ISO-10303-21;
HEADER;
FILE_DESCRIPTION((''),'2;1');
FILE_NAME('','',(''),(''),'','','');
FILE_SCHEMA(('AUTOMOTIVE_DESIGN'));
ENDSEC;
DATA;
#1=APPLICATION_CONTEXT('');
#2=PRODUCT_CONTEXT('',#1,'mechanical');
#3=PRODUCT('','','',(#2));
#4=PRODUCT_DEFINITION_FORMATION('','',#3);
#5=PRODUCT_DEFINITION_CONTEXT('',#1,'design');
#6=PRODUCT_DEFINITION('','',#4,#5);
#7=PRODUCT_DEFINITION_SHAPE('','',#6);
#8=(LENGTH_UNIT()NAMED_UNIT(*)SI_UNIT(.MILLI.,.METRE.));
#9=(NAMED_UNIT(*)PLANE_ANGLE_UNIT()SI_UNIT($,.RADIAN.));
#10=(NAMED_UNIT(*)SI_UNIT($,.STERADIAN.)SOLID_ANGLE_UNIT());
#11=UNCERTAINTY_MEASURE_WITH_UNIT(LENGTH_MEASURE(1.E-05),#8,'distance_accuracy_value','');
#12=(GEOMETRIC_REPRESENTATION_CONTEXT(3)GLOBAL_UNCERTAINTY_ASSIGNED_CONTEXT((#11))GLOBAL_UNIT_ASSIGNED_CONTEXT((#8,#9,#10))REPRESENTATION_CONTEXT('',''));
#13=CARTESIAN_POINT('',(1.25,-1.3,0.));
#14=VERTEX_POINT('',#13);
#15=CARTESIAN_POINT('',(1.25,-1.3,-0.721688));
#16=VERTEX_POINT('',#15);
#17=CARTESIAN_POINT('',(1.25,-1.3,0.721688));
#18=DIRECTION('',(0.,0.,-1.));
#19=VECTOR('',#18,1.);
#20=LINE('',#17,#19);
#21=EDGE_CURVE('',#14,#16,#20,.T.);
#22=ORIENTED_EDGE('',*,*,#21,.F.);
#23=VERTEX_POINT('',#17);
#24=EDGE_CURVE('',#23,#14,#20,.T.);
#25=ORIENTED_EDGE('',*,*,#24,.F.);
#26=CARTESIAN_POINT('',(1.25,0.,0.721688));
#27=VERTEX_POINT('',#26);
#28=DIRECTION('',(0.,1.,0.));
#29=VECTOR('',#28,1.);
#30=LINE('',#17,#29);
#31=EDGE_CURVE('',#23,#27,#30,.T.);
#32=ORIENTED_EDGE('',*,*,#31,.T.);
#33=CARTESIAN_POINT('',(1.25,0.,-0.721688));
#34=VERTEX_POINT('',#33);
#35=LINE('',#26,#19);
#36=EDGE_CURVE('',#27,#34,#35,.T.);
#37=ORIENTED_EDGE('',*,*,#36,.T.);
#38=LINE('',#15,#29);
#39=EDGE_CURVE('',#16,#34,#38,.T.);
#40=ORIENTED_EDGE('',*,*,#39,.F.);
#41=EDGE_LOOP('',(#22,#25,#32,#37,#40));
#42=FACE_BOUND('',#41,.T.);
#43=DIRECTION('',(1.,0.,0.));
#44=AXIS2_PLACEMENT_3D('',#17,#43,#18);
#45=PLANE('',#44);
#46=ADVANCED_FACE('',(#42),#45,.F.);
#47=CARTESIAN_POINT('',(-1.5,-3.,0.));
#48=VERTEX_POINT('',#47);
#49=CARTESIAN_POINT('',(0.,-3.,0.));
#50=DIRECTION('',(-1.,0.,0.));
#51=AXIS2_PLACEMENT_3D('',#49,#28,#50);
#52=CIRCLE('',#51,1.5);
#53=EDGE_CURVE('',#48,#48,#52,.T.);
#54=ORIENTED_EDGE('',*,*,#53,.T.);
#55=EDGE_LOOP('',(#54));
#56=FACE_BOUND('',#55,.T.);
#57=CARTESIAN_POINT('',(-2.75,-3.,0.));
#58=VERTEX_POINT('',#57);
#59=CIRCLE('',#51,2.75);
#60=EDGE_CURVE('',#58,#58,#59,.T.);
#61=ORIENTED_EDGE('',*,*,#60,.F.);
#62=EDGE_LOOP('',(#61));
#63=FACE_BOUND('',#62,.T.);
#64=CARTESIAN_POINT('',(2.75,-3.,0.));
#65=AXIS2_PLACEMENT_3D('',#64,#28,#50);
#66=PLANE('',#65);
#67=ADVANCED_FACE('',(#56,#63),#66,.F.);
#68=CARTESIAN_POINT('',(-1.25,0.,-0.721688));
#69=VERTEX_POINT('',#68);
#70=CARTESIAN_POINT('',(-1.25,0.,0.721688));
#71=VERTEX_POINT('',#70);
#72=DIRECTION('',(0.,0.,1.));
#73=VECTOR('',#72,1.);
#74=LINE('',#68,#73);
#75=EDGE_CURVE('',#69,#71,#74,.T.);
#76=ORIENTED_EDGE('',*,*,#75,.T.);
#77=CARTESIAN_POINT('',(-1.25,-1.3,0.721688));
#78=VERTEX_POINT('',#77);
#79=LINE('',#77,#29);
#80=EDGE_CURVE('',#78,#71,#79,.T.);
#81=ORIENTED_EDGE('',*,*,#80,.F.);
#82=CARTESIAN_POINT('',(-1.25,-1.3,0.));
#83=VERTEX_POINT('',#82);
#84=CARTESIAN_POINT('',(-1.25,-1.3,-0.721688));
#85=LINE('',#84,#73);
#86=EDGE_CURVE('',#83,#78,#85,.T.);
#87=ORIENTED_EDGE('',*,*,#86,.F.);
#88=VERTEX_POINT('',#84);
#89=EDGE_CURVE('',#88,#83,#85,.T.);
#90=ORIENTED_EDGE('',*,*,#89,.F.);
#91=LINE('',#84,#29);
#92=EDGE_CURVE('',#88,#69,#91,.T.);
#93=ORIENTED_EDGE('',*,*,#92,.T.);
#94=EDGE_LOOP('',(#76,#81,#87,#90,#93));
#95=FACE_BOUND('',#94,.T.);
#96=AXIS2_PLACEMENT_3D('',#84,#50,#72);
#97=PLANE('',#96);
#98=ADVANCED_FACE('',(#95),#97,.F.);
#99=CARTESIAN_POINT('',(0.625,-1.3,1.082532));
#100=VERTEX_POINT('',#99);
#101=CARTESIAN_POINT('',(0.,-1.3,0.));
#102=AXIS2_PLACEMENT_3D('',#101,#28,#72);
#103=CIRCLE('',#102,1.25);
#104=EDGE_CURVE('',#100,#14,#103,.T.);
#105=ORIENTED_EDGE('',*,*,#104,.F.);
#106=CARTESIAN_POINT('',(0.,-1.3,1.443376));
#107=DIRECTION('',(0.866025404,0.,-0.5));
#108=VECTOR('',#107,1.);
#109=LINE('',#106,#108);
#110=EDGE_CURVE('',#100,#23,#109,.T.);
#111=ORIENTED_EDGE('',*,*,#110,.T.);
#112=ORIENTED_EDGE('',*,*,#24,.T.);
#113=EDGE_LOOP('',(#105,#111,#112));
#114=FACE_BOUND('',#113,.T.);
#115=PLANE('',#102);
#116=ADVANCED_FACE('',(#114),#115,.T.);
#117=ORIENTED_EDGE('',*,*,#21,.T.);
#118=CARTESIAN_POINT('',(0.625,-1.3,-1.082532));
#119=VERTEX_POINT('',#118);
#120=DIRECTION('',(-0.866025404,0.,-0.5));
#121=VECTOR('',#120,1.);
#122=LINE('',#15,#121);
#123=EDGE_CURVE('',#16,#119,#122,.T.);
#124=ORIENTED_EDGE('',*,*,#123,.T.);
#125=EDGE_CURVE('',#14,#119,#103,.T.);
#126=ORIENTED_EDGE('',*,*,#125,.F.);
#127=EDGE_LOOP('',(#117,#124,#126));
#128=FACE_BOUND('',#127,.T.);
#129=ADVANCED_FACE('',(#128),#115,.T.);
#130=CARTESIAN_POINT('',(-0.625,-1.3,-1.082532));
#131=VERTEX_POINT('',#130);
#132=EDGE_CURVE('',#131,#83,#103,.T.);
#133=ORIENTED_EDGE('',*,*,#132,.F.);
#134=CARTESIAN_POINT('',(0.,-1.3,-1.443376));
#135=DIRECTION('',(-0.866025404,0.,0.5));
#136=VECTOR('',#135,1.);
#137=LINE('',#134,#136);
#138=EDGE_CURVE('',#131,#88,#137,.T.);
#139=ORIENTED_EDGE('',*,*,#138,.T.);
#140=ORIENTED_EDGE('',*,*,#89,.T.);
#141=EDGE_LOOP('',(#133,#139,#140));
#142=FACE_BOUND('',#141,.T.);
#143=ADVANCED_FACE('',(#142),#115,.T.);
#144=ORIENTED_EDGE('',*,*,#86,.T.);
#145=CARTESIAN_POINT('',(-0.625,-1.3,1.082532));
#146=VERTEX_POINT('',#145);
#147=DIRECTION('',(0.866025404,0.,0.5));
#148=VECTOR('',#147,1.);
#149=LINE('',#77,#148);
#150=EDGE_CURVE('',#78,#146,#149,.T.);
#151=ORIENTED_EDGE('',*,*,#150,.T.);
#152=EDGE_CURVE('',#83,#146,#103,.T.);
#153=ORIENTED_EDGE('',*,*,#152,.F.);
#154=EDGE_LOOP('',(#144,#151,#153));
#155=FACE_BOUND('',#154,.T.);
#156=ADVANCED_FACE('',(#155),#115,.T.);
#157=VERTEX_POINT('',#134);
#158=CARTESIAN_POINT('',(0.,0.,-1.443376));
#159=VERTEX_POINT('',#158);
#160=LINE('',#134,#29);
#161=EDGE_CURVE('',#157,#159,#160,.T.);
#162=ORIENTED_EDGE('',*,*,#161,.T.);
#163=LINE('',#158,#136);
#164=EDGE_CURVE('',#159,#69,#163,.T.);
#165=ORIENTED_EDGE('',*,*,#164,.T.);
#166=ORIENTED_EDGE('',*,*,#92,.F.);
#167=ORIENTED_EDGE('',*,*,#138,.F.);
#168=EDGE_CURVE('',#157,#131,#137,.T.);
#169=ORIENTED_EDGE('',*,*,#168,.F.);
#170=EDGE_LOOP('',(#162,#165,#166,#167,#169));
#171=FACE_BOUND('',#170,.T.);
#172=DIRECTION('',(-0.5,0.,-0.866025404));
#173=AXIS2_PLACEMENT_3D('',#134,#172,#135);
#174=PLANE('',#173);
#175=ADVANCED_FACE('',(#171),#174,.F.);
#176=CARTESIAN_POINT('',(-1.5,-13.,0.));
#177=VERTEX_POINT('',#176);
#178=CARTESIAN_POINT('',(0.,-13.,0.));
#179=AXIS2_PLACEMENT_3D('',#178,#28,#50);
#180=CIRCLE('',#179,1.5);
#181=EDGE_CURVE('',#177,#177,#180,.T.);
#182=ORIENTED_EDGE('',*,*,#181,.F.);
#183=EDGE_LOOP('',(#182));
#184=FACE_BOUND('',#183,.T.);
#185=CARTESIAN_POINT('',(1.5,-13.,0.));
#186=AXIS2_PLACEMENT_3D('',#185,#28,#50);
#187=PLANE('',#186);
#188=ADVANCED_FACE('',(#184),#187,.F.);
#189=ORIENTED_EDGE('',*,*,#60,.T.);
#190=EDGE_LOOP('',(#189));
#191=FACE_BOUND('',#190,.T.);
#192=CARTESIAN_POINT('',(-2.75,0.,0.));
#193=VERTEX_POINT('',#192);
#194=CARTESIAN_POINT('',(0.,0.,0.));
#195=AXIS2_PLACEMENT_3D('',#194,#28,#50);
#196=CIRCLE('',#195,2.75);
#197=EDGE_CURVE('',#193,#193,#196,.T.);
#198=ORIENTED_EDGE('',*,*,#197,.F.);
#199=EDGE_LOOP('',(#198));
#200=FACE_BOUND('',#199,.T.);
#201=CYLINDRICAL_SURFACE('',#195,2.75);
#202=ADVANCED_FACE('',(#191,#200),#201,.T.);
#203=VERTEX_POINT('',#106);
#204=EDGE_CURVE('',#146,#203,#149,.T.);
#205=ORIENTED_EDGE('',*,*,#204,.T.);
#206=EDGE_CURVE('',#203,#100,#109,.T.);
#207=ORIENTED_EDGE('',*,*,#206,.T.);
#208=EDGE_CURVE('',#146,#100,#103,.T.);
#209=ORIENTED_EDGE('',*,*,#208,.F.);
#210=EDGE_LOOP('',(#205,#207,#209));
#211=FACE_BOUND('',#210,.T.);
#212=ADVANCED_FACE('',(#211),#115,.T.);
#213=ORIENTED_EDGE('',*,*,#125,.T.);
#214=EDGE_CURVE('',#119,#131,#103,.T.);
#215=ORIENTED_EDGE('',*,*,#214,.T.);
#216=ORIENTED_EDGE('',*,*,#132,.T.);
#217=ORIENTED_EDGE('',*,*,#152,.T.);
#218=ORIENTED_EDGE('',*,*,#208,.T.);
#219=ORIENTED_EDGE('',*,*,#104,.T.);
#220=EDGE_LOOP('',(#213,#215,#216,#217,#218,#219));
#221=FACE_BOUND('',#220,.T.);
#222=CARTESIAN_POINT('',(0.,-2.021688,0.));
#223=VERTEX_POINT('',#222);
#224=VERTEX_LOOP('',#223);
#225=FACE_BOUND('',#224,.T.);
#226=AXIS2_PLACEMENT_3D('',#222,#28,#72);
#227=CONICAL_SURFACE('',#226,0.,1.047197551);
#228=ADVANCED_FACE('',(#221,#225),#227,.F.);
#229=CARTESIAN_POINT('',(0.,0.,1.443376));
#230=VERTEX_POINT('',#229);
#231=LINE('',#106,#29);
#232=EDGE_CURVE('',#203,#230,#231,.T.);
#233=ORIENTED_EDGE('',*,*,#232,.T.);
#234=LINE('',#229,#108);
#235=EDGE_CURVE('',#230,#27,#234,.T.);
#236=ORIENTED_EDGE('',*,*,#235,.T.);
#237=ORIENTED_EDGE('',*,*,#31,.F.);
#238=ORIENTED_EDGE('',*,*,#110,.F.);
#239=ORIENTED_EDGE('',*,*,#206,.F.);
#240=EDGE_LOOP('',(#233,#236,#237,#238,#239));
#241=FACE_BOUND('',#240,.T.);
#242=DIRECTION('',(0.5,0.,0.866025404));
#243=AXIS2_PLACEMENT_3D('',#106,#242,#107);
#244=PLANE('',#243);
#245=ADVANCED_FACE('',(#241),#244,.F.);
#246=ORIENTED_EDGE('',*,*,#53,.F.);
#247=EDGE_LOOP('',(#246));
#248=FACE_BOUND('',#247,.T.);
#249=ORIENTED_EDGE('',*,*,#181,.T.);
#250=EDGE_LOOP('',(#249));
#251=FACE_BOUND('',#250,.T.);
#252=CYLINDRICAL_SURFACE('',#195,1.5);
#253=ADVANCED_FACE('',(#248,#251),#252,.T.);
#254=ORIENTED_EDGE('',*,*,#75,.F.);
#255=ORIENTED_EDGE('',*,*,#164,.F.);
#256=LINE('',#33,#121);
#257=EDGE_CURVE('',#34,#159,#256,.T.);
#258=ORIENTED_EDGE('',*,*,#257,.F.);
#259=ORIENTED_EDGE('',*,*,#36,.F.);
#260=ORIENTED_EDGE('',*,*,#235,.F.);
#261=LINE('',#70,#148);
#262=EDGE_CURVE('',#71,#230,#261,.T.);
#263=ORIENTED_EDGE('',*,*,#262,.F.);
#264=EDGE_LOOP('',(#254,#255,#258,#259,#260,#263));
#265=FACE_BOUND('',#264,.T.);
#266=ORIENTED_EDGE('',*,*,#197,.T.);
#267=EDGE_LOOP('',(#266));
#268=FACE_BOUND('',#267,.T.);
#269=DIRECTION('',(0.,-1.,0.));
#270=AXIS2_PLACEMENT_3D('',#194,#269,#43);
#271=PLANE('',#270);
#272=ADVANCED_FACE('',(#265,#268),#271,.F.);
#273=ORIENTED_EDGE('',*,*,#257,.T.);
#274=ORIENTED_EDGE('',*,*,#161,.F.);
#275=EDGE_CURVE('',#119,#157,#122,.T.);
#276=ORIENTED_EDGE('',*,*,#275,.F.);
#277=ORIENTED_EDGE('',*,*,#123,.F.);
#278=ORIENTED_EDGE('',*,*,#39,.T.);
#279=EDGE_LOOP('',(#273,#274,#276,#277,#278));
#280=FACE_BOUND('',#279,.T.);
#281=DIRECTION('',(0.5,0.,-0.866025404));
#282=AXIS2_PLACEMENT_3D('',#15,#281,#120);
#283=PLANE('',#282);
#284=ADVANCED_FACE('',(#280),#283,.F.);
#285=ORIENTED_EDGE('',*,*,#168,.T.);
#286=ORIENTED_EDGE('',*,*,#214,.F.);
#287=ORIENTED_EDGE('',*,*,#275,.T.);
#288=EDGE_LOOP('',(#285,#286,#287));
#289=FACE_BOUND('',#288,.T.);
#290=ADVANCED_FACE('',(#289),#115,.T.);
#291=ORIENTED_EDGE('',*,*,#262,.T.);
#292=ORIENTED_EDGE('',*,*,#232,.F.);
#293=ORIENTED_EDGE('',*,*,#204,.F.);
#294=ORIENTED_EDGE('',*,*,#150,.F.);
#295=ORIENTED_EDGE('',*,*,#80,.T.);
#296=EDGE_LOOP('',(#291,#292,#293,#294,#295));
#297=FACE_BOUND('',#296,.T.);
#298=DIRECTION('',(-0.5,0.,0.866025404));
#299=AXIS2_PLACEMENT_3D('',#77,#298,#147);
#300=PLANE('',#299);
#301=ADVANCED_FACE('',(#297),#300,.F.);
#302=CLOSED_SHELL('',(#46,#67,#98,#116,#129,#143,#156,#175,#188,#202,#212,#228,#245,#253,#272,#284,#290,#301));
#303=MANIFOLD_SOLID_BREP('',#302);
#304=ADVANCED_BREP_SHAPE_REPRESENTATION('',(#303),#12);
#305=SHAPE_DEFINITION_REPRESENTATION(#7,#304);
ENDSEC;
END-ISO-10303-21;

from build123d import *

# Parameters (mm, degrees)
CUT_EXTRUDE1_DEPTH = 1.3


with BuildPart() as part:
    # Sketch1 → Revolve1 (revolve)
    with BuildSketch(Plane.XY, mode=Mode.PRIVATE) as revolve1_sk:
        Polygon((0, 0), (2.75, 0), (2.75, -3), (1.5, -3), (1.5, -13), (0, -13), align=None)
    revolve(revolve1_sk.sketch.rotate(Axis((0, 0, 0), (0, -1, 0)), 180), axis=Axis((0, 0, 0), (0, -1, 0)))

    # Sketch2 → Cut-Revolve1 (revolve, cut)
    with BuildSketch(Plane.XY, mode=Mode.PRIVATE) as cut_revolve1_sk:
        Polygon((1.25, 0), (1.25, -1.3), (0, -2.021687836), (0, 0), align=None)
    revolve(cut_revolve1_sk.sketch.rotate(Axis((0, 0, 0), (0, -1, 0)), 90), axis=Axis((0, 0, 0), (0, -1, 0)), mode=Mode.SUBTRACT)

    # Sketch3 → Cut-Extrude1 (cut)
    with BuildSketch(Plane(origin=(0, 0, 0), x_dir=(1, 0, 0), z_dir=(0, 1, 0))):
        Polygon((0, 1.443375673), (-1.25, 0.721687836), (-1.25, -0.721687836), (0, -1.443375673), (1.25, -0.721687836), (1.25, 0.721687836), align=None)
    extrude(amount=-CUT_EXTRUDE1_DEPTH, mode=Mode.SUBTRACT)


solid = part.part
